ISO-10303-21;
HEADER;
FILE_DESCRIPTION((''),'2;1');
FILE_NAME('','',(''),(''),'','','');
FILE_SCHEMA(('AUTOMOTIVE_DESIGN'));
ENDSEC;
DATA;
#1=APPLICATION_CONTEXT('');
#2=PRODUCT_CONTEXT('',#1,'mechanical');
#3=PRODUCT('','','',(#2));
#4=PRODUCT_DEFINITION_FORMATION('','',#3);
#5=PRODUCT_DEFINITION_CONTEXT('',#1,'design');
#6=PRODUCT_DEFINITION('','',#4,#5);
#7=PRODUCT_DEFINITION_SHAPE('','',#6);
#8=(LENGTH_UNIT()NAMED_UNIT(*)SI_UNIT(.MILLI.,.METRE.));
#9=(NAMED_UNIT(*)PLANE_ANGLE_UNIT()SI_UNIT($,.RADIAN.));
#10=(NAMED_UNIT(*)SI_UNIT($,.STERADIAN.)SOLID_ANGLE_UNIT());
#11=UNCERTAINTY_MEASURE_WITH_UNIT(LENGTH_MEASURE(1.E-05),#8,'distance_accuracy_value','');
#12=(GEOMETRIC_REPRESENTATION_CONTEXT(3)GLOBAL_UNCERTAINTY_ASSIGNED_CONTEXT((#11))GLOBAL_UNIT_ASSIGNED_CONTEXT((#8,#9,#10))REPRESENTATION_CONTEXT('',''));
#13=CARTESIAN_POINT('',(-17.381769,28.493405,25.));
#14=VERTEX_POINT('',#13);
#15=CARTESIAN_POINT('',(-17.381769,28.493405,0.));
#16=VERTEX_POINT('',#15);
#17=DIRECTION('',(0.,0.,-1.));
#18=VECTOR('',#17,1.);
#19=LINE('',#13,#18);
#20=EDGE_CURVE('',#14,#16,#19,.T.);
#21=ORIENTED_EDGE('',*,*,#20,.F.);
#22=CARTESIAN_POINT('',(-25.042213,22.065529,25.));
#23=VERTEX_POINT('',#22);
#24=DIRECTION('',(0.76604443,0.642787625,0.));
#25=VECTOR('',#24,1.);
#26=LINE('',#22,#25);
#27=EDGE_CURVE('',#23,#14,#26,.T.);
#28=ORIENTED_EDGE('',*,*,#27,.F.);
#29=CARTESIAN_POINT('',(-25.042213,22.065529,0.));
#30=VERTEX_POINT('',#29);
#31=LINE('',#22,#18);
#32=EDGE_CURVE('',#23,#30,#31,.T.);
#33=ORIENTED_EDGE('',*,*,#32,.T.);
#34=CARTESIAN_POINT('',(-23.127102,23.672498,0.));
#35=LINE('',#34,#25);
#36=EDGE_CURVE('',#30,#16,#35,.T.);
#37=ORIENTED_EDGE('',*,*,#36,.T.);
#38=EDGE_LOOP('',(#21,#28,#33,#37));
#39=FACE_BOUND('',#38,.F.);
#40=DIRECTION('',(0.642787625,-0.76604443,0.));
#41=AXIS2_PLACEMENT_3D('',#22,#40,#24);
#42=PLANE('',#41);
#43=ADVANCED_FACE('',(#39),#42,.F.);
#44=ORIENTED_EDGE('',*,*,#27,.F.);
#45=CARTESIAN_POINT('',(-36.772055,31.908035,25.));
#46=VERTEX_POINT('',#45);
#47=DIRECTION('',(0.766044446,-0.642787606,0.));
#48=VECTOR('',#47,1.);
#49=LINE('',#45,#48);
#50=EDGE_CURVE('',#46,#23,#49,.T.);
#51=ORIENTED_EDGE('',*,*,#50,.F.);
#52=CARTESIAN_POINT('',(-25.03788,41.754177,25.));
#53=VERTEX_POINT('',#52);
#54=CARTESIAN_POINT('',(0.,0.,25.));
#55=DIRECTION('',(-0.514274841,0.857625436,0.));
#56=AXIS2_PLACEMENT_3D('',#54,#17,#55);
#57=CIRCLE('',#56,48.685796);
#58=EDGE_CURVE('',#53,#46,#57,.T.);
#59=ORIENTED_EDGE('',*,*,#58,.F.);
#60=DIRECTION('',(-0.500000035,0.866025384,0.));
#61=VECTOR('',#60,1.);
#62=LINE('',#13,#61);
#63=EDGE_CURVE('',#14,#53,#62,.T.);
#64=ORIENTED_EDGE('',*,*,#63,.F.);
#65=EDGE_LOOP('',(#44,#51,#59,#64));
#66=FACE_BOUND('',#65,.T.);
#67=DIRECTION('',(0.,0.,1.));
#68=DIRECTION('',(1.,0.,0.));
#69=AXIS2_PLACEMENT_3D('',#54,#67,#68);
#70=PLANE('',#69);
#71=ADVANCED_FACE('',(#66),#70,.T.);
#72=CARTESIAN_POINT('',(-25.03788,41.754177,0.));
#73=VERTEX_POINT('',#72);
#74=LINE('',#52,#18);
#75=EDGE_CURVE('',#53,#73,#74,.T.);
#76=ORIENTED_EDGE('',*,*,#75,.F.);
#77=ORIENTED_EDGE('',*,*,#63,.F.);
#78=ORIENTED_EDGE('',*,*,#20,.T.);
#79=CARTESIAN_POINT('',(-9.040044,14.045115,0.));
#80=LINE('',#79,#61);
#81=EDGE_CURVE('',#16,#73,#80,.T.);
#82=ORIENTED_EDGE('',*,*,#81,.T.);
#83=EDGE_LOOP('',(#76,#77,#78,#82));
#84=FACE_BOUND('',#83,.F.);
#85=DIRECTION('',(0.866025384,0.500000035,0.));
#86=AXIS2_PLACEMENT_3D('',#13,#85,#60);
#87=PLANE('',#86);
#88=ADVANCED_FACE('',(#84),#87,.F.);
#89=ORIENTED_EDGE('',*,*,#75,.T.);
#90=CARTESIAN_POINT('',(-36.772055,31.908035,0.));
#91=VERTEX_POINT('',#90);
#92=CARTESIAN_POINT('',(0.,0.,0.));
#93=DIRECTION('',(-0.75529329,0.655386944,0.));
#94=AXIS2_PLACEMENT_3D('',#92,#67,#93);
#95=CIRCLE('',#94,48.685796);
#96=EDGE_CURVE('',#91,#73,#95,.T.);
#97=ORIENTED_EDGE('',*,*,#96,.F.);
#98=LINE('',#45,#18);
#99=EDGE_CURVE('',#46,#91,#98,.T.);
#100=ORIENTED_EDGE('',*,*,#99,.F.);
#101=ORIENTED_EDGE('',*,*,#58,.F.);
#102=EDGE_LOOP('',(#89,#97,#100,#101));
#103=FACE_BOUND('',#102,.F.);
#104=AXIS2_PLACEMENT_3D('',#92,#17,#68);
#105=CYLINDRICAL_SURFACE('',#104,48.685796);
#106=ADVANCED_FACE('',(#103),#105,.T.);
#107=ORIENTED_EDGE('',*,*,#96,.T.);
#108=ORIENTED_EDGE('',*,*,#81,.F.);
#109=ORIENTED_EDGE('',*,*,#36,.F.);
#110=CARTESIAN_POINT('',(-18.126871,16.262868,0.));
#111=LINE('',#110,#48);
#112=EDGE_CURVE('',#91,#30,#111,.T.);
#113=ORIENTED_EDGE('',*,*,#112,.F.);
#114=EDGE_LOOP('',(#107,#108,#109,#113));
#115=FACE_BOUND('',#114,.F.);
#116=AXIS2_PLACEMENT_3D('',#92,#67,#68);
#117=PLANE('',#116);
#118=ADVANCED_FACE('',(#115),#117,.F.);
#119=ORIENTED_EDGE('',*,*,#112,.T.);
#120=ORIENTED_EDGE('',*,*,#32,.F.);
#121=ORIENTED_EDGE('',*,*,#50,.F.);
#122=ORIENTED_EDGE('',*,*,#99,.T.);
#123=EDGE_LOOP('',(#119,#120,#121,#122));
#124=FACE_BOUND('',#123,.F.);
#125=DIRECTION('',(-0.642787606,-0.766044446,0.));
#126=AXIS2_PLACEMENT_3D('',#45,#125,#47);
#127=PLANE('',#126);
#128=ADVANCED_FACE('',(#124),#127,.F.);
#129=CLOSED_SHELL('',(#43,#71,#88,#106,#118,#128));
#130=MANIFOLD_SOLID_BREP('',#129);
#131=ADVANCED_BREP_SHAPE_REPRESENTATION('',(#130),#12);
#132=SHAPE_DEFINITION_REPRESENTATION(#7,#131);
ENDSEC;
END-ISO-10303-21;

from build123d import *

# Parameters (mm, degrees)
F0_R     = 48.685796
F1_DEPTH = 25
F3_DEPTH = 25.001


with BuildPart() as f1:
    # F0 (on Top) → F1 (new body)
    with BuildSketch(Plane.XY):
        Circle(F0_R)
    extrude(amount=F1_DEPTH)

    # F2 (on face) → F3 (cut, through all)
    with BuildSketch(Plane.XY.offset(25)):
        with BuildLine():
            Line((-17.381769, 28.493405), (-25.03788, 41.754177))
            ThreePointArc((-25.03788, 41.754177), (-31.294627, 37.295484), (-36.772055, 31.908035))
            Line((-36.772055, 31.908035), (-25.042213, 22.065529))
            Line((-25.042213, 22.065529), (-17.381769, 28.493405))
        make_face()
    extrude(amount=-F3_DEPTH, mode=Mode.SUBTRACT)


solid = f1.part
